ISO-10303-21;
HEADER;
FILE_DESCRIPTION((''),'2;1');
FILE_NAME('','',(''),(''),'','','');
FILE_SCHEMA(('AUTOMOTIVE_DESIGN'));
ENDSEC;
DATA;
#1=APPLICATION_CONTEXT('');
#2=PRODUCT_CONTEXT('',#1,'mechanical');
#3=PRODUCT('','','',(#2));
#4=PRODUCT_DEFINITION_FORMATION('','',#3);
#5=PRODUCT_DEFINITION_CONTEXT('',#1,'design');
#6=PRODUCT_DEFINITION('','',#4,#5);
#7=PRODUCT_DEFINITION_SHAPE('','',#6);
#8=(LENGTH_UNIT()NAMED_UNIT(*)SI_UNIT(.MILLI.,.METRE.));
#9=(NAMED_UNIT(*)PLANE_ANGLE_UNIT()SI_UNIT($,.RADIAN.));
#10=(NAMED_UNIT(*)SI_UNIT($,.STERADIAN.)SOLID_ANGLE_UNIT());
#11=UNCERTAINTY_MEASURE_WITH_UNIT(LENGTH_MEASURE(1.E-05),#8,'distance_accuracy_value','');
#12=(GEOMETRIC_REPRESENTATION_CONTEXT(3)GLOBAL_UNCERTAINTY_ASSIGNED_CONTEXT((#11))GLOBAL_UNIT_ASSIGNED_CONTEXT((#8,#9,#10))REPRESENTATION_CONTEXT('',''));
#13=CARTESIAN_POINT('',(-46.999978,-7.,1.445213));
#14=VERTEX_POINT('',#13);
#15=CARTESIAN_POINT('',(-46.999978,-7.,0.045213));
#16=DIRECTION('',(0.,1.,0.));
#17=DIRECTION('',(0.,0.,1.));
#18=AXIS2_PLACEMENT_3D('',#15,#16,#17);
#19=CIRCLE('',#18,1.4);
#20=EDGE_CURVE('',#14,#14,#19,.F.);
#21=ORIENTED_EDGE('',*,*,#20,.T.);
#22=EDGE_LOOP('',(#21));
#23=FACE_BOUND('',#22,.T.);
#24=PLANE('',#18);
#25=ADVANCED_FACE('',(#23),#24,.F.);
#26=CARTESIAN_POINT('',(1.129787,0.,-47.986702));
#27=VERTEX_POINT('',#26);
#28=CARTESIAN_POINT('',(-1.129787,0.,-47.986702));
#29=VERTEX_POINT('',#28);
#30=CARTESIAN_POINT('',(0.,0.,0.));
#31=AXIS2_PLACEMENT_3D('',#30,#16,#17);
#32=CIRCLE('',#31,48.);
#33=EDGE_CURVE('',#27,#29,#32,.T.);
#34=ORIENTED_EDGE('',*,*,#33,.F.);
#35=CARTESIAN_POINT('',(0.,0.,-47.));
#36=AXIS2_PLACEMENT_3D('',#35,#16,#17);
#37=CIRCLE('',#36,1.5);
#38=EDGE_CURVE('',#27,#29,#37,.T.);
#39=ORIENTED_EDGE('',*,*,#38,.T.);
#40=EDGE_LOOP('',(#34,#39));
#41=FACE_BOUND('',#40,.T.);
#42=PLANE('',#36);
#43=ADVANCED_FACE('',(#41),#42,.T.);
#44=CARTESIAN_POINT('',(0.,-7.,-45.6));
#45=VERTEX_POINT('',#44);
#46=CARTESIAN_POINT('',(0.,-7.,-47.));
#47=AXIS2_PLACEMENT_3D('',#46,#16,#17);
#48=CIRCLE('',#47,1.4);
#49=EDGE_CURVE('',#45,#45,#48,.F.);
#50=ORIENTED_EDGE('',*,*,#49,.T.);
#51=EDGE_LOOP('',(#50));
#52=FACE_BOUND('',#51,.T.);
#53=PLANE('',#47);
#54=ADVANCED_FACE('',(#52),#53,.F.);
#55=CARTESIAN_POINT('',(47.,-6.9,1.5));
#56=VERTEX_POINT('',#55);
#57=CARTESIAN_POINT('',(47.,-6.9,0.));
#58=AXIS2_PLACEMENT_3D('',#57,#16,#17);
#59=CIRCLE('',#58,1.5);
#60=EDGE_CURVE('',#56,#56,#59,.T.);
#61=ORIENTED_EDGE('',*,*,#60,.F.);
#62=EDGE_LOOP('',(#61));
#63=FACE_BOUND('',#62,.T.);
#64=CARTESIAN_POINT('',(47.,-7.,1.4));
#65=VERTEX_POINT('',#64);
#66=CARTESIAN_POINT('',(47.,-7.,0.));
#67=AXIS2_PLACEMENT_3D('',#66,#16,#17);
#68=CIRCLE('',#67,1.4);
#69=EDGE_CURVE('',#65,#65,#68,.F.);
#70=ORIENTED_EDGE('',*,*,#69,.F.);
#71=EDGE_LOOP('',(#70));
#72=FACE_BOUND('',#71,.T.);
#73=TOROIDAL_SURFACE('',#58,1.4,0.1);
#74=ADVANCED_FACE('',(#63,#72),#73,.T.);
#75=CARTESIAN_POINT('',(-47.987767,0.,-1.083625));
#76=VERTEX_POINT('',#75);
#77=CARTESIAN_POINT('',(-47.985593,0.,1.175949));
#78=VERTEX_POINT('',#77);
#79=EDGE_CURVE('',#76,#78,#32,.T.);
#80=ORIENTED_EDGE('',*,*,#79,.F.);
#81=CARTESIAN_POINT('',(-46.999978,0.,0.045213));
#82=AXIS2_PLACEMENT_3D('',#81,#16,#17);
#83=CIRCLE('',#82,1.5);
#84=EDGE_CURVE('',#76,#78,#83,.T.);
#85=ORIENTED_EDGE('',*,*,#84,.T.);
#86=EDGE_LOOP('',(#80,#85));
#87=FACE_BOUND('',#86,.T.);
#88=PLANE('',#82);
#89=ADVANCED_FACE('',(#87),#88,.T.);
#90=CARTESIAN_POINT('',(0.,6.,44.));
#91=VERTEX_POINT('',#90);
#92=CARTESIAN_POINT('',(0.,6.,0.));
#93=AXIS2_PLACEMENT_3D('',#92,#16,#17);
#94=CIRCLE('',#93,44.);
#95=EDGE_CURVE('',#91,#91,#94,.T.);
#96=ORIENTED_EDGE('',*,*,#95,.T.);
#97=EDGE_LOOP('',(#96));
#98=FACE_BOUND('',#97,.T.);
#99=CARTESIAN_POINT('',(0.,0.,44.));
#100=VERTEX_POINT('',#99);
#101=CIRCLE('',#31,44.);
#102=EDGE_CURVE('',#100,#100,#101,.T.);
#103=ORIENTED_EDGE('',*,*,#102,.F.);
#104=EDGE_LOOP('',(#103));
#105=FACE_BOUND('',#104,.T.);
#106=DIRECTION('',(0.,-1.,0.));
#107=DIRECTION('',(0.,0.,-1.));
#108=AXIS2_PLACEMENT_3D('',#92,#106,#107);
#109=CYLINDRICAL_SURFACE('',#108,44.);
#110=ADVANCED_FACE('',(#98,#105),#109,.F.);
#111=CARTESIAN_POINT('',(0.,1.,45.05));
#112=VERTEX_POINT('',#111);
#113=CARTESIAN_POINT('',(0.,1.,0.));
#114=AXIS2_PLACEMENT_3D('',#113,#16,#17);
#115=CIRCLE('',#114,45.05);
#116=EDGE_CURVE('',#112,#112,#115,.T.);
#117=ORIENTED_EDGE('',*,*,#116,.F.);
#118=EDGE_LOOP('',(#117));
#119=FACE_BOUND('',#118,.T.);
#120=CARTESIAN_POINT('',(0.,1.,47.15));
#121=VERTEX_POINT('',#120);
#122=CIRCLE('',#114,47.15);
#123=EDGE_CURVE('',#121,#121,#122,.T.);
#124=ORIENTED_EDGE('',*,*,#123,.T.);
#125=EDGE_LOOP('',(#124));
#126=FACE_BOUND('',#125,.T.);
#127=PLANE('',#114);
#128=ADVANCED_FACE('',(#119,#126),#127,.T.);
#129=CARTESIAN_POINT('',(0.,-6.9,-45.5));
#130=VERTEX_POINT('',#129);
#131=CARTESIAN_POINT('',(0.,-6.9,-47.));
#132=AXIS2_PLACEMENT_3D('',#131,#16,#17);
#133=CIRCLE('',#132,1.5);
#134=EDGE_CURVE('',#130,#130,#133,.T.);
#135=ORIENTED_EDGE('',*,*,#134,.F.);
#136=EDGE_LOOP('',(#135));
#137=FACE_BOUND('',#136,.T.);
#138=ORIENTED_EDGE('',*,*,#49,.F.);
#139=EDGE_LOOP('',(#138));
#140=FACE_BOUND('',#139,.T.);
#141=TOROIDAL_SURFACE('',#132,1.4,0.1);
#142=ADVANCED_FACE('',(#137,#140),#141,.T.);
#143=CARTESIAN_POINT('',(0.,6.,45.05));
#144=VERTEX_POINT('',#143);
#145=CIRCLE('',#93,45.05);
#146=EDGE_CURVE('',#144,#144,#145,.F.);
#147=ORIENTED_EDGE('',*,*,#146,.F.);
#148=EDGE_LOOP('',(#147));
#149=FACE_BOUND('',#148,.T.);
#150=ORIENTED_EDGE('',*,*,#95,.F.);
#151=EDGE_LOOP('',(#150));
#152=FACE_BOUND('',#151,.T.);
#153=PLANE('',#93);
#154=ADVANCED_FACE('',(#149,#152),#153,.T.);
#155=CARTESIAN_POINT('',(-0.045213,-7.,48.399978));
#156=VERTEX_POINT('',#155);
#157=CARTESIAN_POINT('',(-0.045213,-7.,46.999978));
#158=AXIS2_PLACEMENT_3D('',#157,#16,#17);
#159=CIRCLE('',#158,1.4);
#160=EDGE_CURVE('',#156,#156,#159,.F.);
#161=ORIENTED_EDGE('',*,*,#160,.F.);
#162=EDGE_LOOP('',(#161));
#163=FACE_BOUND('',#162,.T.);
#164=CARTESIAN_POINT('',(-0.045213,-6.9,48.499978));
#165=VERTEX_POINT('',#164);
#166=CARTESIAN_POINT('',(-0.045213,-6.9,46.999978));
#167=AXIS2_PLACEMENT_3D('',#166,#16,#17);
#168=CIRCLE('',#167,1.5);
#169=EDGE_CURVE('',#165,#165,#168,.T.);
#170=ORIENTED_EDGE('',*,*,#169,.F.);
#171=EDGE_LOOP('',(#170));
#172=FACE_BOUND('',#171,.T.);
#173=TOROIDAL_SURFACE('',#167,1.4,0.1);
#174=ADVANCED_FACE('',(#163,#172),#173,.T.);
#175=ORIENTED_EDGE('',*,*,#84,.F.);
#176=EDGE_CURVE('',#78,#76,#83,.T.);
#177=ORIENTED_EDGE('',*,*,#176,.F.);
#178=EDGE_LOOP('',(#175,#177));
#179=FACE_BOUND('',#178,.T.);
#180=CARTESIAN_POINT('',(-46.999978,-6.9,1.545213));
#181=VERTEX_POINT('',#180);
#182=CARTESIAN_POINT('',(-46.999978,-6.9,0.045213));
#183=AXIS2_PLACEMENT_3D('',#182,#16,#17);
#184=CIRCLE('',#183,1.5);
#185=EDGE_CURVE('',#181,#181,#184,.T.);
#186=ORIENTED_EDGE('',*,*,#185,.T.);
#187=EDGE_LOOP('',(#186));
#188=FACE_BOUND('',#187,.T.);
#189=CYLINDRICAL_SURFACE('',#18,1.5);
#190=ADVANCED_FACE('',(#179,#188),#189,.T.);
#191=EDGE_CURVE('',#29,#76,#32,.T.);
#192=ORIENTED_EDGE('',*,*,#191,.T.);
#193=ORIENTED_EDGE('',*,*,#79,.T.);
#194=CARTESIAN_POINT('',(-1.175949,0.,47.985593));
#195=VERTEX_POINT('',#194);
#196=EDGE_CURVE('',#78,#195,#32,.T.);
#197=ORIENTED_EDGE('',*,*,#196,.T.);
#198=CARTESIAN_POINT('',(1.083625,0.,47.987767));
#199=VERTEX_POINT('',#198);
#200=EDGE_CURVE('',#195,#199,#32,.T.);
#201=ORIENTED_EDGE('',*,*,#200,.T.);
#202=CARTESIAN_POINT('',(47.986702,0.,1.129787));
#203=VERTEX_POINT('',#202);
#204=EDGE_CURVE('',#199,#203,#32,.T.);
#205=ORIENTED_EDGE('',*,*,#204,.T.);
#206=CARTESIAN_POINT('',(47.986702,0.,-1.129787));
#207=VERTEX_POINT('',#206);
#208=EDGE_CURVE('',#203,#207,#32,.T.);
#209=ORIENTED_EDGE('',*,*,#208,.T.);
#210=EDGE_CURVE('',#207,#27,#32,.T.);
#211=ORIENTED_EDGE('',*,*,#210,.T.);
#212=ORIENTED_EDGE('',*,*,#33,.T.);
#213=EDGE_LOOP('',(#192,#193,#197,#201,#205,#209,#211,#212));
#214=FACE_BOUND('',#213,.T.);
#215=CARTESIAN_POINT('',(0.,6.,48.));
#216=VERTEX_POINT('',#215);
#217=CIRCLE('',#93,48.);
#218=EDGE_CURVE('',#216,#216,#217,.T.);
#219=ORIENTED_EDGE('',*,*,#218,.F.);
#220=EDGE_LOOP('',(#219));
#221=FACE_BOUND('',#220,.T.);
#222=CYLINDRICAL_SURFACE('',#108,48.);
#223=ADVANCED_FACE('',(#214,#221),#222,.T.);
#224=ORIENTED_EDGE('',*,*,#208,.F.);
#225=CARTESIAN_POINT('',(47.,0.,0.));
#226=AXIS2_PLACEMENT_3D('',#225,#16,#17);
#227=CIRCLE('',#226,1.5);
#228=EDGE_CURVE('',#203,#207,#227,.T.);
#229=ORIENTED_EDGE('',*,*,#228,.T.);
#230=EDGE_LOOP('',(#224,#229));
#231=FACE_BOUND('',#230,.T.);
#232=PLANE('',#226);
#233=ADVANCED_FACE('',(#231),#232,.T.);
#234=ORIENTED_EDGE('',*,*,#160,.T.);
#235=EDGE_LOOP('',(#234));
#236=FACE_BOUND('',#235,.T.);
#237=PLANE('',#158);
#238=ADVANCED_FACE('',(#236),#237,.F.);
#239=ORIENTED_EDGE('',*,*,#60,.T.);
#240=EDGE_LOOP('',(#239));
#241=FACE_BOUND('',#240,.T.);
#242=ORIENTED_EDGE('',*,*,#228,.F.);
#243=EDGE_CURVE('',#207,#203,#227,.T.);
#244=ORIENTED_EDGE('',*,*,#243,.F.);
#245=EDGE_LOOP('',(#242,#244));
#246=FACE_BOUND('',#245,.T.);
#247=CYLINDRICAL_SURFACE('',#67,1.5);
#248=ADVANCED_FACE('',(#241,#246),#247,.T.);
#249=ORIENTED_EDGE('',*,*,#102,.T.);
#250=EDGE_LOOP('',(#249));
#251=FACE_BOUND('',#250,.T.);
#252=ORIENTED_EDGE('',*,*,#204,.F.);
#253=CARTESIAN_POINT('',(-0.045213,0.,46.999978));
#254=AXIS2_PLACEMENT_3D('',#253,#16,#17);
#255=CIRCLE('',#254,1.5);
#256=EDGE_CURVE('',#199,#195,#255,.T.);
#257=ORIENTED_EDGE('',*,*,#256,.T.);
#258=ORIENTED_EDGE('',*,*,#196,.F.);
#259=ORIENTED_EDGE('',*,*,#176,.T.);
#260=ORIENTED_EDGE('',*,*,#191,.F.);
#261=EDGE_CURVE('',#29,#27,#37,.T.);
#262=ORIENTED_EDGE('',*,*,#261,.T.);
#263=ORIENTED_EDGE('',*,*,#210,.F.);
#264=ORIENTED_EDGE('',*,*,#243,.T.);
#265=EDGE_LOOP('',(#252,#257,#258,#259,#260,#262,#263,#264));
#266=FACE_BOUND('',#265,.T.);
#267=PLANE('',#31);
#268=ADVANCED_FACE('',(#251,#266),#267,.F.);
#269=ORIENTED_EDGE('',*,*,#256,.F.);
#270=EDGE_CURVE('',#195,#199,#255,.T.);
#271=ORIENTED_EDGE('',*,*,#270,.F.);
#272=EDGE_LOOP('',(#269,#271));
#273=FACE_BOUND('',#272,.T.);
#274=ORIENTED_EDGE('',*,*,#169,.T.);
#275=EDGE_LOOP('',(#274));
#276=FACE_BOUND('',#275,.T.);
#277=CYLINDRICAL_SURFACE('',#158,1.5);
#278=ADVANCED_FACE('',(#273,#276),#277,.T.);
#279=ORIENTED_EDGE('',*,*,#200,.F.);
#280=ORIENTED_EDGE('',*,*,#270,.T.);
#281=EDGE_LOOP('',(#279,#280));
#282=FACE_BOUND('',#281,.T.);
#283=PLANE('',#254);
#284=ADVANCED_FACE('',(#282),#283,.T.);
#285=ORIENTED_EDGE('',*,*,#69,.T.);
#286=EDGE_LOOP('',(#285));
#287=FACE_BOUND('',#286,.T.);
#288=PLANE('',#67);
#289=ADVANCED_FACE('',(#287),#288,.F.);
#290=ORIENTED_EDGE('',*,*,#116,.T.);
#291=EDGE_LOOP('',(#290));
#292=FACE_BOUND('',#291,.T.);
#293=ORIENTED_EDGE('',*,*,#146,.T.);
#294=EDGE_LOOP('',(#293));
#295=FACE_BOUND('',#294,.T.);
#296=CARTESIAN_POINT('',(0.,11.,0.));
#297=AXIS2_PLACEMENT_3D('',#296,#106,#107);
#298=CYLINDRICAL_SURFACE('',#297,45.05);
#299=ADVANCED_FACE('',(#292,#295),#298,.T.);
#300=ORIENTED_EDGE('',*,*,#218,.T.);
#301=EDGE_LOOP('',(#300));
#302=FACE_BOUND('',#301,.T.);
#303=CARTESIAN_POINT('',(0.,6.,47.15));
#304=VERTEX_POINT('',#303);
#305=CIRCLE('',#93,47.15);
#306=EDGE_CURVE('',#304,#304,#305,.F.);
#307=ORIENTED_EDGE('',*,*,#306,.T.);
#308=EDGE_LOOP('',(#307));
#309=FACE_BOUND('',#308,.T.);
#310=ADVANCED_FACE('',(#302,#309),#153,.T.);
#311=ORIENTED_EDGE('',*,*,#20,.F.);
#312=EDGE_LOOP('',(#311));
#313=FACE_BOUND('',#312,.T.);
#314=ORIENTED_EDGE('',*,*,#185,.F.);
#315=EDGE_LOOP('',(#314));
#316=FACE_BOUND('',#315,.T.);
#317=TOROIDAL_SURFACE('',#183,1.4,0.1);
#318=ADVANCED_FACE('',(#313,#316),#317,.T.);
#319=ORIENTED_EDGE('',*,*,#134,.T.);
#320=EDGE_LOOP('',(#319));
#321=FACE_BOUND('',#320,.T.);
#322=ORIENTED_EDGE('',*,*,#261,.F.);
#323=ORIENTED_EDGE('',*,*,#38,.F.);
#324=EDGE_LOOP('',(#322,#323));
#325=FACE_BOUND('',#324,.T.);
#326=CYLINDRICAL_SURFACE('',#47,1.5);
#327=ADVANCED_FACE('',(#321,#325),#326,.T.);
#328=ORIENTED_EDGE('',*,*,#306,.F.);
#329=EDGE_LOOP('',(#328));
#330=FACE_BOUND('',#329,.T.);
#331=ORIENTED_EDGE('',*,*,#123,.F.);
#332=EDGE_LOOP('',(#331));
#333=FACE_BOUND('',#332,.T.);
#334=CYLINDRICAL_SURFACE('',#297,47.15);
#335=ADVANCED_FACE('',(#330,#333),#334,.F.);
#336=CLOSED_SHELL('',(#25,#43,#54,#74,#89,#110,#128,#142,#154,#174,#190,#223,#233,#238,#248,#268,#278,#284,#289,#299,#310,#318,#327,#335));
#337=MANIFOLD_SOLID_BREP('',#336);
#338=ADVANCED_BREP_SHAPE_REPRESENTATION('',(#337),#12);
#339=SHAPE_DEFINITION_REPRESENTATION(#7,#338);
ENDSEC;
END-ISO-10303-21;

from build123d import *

# Parameters (mm, degrees)
SKETCH1_R           = 48
SKETCH1_R_2         = 44
BOSS_EXTRUDE1_DEPTH = 6
CUT_EXTRUDE3_START  = 1
SKETCH2_R           = 47.15
SKETCH2_R_2         = 45.05
CUT_EXTRUDE3_DEPTH  = 10
SKETCH3_R           = 1.5
BOSS_EXTRUDE2_DEPTH = 7
FILLET1_R           = 0.1


with BuildPart() as part:
    # Sketch1 → Boss-Extrude1 (new body)
    with BuildSketch(Plane(origin=(0, 0, 0), x_dir=(1, 0, 0), z_dir=(0, 1, 0))):
        Circle(SKETCH1_R)
        Circle(SKETCH1_R_2, mode=Mode.SUBTRACT)
    extrude(amount=BOSS_EXTRUDE1_DEPTH)

    # Sketch2 → Cut-Extrude3 (cut)
    with BuildSketch(Plane(origin=(0, 0, 0), x_dir=(1, 0, 0), z_dir=(0, 1, 0)).offset(CUT_EXTRUDE3_START)):
        Circle(SKETCH2_R)
        Circle(SKETCH2_R_2, mode=Mode.SUBTRACT)
    extrude(amount=CUT_EXTRUDE3_DEPTH, mode=Mode.SUBTRACT)

    # Sketch3 → Boss-Extrude2 (add)
    with BuildSketch(Plane(origin=(0, 0, 0), x_dir=(1, 0, 0), z_dir=(0, 1, 0))):
        with Locations((0, 47)):
            Circle(SKETCH3_R)
        with Locations((47, 0)):
            Circle(SKETCH3_R)
        with Locations((-0.045212766, -46.999978253)):
            Circle(SKETCH3_R)
        with Locations((-46.999978253, -0.045212766)):
            Circle(SKETCH3_R)
    extrude(amount=-BOSS_EXTRUDE2_DEPTH)

    # Fillet1
    fillet1_edges = [part.edges().sort_by_distance(p)[0] for p in [
        (-1.5, -7, -47),
        (45.5, -7, 0),
        (-1.545212766, -7, 46.999978253),
        (-48.499978253, -7, 0.045212766),
    ]]
    fillet(fillet1_edges, radius=FILLET1_R)


solid = part.part
